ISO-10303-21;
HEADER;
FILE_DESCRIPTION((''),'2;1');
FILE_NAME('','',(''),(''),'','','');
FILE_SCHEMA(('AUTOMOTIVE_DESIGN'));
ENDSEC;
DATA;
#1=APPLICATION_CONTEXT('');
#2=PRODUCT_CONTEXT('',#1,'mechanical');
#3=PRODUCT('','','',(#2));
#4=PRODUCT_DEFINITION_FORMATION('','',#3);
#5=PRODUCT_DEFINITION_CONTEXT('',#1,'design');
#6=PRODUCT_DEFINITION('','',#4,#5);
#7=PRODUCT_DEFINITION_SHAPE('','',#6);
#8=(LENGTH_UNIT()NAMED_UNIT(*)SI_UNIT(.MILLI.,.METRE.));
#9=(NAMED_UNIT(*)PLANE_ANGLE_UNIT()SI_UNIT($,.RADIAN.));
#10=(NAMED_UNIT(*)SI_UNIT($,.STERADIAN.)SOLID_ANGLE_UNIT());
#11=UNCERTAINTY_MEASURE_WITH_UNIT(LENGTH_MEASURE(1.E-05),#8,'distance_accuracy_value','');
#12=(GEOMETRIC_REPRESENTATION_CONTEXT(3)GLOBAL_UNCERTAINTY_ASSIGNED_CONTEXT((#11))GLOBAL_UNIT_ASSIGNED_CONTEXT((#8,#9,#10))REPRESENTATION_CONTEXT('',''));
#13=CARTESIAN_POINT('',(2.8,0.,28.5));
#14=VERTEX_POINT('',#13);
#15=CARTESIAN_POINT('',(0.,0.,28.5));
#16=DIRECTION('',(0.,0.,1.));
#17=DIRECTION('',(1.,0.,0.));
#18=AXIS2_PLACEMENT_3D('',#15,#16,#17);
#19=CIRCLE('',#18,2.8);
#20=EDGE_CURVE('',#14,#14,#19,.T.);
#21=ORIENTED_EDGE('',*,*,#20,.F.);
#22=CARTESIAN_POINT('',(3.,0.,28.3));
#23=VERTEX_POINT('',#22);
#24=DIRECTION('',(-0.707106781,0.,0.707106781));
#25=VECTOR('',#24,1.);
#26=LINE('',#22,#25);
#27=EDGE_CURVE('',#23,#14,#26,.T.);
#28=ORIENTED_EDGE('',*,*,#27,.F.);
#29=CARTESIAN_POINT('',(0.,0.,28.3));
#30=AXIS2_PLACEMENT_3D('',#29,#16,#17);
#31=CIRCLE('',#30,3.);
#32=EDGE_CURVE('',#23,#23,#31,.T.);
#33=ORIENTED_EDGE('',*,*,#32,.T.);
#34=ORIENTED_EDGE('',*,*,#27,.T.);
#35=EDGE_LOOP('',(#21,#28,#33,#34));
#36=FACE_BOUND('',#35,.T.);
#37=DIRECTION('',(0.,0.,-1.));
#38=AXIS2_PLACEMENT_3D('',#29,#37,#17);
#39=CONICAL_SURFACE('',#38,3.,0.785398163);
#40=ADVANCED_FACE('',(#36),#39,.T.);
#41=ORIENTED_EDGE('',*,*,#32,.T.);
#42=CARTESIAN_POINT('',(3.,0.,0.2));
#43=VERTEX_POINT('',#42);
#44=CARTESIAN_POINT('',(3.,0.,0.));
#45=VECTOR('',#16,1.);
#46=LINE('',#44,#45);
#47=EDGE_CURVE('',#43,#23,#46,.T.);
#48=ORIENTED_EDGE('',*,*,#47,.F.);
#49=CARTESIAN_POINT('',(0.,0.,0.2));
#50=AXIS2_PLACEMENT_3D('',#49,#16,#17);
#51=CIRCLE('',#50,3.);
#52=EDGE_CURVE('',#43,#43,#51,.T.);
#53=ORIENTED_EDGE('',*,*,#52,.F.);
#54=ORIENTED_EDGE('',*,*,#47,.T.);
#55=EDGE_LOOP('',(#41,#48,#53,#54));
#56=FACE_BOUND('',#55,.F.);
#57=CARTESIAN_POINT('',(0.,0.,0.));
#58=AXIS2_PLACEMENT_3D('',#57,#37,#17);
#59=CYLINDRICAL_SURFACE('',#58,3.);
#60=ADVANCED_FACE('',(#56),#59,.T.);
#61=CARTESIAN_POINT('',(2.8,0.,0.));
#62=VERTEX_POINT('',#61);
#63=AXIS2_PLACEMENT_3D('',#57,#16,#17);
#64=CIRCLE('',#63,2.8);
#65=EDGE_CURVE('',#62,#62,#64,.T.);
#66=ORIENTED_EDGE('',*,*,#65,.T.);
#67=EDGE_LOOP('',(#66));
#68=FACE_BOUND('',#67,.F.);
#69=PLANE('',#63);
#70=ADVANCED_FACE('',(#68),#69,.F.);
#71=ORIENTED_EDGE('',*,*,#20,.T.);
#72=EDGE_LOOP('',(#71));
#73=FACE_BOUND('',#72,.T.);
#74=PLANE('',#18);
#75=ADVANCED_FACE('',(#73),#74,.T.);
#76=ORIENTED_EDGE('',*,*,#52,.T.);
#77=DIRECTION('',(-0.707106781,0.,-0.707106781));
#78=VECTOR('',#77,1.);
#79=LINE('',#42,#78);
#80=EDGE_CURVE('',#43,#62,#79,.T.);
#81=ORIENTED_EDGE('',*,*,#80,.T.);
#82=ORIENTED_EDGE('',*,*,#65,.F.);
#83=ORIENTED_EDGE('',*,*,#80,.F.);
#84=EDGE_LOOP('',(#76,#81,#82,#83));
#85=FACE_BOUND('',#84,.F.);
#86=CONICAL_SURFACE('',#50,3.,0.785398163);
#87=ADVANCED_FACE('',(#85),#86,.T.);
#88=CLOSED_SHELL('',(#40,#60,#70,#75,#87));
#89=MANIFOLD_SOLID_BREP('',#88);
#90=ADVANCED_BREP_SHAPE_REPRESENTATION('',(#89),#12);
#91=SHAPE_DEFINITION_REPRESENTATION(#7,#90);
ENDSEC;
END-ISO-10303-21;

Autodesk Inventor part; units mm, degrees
ref_plane "YZ Plane" through (0, 0, 0) normal (1, 0, 0) x (0, 1, 0)
ref_plane "XZ Plane" through (0, 0, 0) normal (0, 1, 0) x (-1, 0, 0)
ref_plane "XY Plane" through (0, 0, 0) normal (0, 0, 1) x (1, 0, 0)
sketch "Skizze1" plane through (0, 0, 0) normal (0, 0, 1) x (1, 0, 0)
  circle A0 centre (0, 0) radius 3
  dimension "d0" = 6
extrude "Extrusion1" add sketch "Skizze1" along normal blind 28.5
chamfer "Fase1" distance 0.2 angle 45 2 edges at (-3, 0, 28.5) (-3, 0, 0)
properties part number "Schaft_6mmx28.5" material "Edelstahl"
